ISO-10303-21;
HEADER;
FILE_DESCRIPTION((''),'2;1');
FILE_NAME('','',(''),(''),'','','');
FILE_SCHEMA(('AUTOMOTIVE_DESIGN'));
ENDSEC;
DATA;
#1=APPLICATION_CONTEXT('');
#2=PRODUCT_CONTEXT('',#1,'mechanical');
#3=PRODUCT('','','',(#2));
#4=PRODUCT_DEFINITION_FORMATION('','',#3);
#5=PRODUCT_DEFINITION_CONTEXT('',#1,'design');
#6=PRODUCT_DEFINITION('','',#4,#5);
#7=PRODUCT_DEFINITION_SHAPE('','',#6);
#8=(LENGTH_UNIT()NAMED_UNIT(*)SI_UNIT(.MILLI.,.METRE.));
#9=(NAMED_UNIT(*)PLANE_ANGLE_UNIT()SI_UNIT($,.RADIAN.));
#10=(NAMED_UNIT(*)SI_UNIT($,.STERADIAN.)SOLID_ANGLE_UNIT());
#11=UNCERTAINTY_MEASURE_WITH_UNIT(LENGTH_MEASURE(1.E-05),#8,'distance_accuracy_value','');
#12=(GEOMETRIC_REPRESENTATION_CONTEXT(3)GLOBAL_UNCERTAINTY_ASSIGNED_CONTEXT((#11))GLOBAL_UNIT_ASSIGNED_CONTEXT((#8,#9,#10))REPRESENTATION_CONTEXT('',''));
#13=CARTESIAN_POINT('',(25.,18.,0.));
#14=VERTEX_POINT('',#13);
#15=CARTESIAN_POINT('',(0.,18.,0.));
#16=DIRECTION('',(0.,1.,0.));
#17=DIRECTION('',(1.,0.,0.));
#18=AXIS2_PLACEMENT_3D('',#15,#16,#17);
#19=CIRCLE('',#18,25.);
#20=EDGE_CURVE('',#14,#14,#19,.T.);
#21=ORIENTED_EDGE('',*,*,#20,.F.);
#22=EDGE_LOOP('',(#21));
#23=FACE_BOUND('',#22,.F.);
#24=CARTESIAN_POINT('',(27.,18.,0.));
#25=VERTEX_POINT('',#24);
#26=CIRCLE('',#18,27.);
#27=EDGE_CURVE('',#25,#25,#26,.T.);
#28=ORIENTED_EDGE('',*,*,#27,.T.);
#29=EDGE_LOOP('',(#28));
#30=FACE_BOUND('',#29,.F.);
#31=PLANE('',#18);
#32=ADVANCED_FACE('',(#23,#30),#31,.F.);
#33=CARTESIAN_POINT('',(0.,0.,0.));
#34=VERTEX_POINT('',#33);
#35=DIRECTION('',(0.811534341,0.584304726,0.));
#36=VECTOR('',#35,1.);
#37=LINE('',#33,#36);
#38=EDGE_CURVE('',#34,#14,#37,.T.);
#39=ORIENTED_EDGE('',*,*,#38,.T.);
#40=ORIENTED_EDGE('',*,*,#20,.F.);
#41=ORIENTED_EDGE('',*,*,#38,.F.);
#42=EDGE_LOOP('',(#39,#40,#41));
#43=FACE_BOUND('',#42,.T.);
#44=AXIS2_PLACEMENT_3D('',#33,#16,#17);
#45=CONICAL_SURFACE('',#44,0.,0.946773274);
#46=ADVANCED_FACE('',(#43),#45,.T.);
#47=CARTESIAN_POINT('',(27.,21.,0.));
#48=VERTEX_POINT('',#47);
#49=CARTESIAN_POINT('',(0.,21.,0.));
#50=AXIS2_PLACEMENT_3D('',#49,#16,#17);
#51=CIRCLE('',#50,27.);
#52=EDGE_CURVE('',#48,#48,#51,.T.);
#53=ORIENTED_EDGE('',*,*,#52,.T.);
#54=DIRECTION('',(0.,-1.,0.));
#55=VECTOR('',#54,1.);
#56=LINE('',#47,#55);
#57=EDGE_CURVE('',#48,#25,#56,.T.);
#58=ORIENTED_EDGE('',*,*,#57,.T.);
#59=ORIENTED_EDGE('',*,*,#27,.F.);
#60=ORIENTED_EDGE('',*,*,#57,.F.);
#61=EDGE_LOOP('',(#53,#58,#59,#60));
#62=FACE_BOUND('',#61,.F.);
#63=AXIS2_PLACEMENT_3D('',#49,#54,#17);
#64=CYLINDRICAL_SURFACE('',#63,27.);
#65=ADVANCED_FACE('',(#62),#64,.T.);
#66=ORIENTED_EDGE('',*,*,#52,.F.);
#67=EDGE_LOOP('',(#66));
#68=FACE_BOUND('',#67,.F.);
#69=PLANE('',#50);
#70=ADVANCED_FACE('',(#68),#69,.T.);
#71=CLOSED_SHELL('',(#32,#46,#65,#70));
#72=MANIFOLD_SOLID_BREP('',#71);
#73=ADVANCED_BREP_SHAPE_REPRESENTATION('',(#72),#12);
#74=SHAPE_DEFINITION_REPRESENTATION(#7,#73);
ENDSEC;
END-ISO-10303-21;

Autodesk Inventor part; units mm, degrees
ref_plane "YZ Plane" through (0, 0, 0) normal (1, 0, 0) x (0, 1, 0)
ref_plane "XZ Plane" through (0, 0, 0) normal (0, 1, 0) x (-1, 0, 0)
ref_plane "XY Plane" through (0, 0, 0) normal (0, 0, 1) x (1, 0, 0)
sketch "スケッチ1" plane through (0, 0, 0) normal (0, 0, 1) x (1, 0, 0)
  line L0 (-25, 18) -> (0, 0)
  line L1 (0, 0) -> (25, 18)
  line L2 (-25, 18) -> (25, 18)
  line L3 (0, 0) -> (0, 18) construction
  line L4 (-27, 21) -> (27, 21)
  line L5 (27, 21) -> (27, 18)
  line L6 (27, 18) -> (-27, 18)
  line L7 (-27, 18) -> (-27, 21)
  line L8 (0, -4.2) -> (0, 25.2) projected
  line L9 (0, 0) -> (0, 21)
  dimension "d0" = 50
  dimension "d1" = 18
  dimension "d2" = 54
  dimension "d3" = 3
revolve "回転1" add sketch "スケッチ1" angle 360 about axis through (0, -10, 0) along (0, 1, 0) contours L8 L2 L1 | L8 L4 L5 L6 L2
properties part number "Camera_mirror"
